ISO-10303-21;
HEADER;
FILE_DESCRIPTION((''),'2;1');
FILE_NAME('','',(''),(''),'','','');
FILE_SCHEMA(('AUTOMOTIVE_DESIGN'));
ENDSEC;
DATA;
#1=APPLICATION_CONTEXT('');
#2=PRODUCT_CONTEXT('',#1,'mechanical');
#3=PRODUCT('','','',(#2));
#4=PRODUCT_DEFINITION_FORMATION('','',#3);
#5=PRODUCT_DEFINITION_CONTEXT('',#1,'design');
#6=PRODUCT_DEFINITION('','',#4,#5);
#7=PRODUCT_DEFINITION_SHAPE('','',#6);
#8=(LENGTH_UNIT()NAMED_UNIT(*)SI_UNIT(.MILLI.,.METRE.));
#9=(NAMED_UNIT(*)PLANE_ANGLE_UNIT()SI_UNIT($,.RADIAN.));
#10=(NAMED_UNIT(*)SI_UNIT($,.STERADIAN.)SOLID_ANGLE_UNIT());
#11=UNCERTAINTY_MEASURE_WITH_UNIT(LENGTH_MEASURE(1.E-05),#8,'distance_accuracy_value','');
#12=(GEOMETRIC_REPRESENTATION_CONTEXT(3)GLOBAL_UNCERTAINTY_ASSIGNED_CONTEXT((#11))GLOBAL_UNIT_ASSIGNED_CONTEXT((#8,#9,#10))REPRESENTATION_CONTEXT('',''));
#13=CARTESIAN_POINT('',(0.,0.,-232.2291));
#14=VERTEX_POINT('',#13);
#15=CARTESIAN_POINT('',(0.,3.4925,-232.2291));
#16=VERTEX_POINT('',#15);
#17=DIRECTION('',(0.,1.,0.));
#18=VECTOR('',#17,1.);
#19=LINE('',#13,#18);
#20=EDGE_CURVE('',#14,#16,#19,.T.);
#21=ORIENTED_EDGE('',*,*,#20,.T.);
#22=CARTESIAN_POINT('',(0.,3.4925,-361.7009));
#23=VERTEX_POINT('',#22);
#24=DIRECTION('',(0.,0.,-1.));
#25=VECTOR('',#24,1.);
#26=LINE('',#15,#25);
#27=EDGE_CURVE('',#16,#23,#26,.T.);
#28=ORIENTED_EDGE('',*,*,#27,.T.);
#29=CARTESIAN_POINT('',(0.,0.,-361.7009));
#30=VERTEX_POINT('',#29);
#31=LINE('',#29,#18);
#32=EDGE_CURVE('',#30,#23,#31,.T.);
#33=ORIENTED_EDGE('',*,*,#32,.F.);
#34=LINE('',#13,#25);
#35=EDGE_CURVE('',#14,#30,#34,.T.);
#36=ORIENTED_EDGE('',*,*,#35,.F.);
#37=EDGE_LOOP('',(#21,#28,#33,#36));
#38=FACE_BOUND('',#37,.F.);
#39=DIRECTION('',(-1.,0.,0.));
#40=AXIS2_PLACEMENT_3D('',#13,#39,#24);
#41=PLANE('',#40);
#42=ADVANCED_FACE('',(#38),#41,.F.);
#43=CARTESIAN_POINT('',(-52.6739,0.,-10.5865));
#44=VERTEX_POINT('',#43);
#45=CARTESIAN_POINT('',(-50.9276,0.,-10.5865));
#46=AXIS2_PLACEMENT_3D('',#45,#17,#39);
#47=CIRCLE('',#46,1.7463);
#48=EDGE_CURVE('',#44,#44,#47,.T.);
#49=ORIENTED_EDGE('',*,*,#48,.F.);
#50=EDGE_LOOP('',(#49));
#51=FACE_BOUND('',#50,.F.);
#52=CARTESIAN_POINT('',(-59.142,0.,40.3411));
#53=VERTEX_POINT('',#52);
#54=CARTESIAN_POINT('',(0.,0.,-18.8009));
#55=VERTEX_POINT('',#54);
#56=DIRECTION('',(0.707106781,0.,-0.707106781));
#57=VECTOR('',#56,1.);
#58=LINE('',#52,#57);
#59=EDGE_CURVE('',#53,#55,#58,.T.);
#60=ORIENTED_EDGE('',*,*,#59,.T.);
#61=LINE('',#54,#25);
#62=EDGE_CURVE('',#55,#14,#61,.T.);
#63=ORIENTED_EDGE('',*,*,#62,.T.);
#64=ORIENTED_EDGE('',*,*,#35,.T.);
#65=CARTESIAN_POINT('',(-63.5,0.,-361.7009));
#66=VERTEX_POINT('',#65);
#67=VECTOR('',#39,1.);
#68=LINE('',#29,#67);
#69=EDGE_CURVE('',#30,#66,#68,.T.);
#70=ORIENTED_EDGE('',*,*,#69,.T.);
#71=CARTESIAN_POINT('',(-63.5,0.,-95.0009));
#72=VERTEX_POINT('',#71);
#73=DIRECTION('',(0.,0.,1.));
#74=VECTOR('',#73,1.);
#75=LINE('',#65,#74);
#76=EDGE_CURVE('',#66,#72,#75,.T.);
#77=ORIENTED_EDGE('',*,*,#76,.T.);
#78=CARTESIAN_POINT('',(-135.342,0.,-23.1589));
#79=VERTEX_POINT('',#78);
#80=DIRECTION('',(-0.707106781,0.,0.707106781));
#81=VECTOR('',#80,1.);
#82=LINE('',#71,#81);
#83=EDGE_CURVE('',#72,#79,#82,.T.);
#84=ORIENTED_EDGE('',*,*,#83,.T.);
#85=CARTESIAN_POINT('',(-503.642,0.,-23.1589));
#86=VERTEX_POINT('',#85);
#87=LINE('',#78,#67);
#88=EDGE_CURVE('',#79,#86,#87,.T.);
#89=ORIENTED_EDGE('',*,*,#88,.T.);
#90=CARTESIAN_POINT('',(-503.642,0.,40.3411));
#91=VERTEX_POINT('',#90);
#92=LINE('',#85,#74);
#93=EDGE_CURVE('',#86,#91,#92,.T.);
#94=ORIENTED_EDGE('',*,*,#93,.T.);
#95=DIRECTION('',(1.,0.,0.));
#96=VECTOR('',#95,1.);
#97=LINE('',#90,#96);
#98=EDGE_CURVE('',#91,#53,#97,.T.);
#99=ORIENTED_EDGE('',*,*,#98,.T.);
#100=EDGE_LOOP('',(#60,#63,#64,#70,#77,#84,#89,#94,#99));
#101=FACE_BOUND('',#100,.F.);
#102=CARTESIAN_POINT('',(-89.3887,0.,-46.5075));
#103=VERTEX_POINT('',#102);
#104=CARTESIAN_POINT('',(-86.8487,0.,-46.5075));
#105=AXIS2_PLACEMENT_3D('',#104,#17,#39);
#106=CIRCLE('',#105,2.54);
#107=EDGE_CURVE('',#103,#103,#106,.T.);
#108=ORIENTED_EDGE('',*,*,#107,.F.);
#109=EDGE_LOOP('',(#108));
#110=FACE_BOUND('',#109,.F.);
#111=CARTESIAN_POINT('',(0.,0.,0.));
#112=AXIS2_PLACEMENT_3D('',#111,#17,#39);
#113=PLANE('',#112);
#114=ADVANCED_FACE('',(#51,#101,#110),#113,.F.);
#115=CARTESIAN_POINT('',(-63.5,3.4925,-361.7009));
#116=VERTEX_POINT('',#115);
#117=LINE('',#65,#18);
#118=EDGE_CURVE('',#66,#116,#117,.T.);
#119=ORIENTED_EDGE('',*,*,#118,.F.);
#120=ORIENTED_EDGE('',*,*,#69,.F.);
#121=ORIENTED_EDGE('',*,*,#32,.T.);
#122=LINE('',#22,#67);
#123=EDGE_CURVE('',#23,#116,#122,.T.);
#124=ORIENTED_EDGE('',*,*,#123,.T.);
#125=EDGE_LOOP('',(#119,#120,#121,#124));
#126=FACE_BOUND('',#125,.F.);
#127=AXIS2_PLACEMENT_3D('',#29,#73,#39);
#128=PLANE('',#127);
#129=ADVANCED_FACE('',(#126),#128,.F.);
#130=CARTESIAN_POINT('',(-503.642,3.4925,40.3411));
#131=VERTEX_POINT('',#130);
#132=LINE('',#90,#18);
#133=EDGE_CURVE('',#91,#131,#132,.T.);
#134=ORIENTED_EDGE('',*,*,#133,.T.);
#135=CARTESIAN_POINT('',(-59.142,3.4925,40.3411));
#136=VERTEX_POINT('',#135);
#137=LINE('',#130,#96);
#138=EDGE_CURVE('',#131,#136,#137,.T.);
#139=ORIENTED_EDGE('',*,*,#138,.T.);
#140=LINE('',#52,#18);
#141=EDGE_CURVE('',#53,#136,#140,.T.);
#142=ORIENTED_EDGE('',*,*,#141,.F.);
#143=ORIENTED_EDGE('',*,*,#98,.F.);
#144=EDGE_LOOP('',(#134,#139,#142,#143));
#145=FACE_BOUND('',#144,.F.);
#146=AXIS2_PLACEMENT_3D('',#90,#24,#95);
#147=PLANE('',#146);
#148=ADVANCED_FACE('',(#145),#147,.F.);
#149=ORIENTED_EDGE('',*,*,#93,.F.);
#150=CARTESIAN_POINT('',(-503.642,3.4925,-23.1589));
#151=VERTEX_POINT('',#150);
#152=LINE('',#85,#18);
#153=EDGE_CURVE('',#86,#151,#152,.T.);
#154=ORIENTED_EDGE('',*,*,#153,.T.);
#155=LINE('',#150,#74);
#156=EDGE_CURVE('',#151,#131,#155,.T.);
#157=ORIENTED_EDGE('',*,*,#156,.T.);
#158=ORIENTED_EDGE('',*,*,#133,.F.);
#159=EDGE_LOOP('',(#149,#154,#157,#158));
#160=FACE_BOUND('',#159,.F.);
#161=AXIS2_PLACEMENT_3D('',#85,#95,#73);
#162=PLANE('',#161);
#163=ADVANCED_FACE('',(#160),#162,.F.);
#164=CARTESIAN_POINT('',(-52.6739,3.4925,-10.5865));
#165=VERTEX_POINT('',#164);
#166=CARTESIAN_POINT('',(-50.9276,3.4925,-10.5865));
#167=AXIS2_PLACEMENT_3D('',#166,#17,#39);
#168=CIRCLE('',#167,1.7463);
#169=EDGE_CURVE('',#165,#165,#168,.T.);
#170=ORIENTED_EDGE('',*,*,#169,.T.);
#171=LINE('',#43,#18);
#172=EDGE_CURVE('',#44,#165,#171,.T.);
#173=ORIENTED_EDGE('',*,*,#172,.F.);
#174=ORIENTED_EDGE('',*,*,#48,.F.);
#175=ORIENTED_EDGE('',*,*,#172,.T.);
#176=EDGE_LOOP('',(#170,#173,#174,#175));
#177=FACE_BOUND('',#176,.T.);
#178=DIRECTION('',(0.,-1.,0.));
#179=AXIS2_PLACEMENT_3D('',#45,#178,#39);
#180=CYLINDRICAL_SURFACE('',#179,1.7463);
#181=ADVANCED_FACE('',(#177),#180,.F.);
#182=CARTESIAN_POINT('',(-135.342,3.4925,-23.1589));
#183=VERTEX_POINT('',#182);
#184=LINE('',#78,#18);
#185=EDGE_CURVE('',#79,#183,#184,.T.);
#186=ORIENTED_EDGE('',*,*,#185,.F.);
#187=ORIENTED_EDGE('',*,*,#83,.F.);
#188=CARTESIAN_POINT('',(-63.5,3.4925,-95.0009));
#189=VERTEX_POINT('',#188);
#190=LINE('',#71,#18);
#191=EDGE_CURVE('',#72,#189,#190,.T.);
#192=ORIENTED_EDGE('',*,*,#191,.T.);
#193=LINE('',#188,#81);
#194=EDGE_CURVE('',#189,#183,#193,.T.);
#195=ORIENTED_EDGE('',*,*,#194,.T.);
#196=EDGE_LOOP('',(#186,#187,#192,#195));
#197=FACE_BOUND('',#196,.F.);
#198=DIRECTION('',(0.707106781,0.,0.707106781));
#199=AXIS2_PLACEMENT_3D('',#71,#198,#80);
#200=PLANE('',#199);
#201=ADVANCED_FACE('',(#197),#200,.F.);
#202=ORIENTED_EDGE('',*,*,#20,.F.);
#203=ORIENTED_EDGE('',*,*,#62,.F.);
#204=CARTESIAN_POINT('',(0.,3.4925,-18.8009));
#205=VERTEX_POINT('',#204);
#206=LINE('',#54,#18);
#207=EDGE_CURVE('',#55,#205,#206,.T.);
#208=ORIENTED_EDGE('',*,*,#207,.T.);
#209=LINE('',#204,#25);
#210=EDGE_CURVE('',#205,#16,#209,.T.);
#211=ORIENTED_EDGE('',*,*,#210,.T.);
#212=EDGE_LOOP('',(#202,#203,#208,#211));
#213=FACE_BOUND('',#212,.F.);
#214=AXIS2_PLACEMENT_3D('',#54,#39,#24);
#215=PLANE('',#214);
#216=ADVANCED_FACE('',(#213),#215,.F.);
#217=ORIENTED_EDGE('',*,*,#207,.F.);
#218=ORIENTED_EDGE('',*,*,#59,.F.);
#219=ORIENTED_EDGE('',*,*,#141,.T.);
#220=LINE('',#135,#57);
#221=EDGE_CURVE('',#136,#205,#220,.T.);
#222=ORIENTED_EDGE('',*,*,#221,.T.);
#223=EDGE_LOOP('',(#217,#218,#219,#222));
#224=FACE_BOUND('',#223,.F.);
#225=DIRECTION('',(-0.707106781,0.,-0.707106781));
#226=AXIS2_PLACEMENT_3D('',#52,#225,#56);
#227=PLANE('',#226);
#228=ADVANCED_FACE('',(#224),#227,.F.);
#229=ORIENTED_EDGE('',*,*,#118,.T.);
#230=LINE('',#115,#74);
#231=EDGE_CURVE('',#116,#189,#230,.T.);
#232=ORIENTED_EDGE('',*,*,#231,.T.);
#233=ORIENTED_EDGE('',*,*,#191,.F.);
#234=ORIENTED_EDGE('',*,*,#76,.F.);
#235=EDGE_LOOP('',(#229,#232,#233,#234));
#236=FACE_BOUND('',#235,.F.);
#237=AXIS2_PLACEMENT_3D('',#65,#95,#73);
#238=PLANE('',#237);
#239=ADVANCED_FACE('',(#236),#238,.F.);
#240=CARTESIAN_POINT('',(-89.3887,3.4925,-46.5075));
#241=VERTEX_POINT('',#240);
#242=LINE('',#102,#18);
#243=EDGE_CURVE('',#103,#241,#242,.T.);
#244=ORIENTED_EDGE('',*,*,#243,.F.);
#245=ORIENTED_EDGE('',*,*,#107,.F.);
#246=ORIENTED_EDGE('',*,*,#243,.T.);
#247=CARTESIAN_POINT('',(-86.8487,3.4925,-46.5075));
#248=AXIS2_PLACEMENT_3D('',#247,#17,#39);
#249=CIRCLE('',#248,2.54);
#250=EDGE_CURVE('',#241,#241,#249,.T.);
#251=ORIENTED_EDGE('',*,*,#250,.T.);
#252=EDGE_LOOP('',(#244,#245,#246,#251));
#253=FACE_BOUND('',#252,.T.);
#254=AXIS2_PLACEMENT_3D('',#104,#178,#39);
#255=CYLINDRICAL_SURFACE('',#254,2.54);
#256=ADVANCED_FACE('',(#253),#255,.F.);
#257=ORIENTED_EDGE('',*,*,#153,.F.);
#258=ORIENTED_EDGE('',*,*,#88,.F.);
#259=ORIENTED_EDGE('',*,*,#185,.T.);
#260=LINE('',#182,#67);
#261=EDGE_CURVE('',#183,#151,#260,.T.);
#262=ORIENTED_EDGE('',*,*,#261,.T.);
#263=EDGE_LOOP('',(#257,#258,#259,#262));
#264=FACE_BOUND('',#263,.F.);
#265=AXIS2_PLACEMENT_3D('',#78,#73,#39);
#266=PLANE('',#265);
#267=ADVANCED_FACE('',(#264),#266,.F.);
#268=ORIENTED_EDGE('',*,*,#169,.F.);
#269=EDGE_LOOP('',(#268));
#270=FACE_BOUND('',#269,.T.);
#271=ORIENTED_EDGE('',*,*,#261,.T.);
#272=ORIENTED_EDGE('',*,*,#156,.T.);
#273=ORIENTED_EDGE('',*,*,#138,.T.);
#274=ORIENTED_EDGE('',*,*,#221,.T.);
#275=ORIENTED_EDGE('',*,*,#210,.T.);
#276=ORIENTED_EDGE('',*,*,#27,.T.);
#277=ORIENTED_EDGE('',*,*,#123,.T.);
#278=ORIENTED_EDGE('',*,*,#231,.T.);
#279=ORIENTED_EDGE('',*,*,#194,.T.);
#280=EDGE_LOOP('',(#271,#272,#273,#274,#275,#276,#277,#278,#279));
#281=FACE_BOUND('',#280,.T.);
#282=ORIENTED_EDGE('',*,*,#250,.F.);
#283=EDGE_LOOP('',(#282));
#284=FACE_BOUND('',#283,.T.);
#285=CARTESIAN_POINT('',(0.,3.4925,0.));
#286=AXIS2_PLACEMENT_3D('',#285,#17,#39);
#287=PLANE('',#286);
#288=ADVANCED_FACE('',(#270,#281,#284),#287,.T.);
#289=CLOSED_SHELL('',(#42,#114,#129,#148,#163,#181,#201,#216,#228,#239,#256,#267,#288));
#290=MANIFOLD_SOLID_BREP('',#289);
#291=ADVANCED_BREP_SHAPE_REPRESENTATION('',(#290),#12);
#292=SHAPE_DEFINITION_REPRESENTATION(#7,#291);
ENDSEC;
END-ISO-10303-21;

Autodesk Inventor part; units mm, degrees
ref_plane "YZ Plane" through (0, 0, 0) normal (1, 0, 0) x (0, 1, 0)
ref_plane "XZ Plane" through (0, 0, 0) normal (0, 1, 0) x (-1, 0, 0)
ref_plane "XY Plane" through (0, 0, 0) normal (0, 0, 1) x (1, 0, 0)
sketch "Sketch1" plane through (0, 0, 0) normal (0, 1, 0) x (-1, 0, 0)
  line L0 (0, -232.2291) -> (0, -361.7009)
  line L1 (0, -361.7009) -> (63.5, -361.7009)
  line L2 (63.5, -361.7009) -> (63.5, -95.0009)
  line L3 (63.5, -95.0009) -> (135.342, -23.1589)
  line L4 (135.342, -23.1589) -> (503.642, -23.1589)
  line L5 (503.642, -23.1589) -> (503.642, 40.3411)
  line L6 (503.642, 40.3411) -> (59.142, 40.3411)
  line L7 (59.142, 40.3411) -> (0, -18.8009)
  line L8 (0, -18.8009) -> (0, -232.2291)
  line L9 (99.421, -59.0799) -> (29.571, 10.7701) construction
  circle A0 centre (86.8487, -46.5075) radius 2.54
  circle A1 centre (50.9276, -10.5865) radius 1.7463
  point P0 (0, 0)
  dimension "d0" = 63.5
  dimension "d2" = 63.5
  dimension "d3" = 101.6
  dimension "d4" = 266.7
  dimension "d5" = 368.3
  dimension "d6" = 342.9
  dimension "d7" = 444.5
  dimension "d10" = 5.08
  dimension "d11" = 17.78
  dimension "d12" = 3.4925
  dimension "d13" = 68.58
extrude "Extrusion1" add sketch "Sketch1" along normal blind 3.4925
properties part number "OptiTrack_Calibrator"
